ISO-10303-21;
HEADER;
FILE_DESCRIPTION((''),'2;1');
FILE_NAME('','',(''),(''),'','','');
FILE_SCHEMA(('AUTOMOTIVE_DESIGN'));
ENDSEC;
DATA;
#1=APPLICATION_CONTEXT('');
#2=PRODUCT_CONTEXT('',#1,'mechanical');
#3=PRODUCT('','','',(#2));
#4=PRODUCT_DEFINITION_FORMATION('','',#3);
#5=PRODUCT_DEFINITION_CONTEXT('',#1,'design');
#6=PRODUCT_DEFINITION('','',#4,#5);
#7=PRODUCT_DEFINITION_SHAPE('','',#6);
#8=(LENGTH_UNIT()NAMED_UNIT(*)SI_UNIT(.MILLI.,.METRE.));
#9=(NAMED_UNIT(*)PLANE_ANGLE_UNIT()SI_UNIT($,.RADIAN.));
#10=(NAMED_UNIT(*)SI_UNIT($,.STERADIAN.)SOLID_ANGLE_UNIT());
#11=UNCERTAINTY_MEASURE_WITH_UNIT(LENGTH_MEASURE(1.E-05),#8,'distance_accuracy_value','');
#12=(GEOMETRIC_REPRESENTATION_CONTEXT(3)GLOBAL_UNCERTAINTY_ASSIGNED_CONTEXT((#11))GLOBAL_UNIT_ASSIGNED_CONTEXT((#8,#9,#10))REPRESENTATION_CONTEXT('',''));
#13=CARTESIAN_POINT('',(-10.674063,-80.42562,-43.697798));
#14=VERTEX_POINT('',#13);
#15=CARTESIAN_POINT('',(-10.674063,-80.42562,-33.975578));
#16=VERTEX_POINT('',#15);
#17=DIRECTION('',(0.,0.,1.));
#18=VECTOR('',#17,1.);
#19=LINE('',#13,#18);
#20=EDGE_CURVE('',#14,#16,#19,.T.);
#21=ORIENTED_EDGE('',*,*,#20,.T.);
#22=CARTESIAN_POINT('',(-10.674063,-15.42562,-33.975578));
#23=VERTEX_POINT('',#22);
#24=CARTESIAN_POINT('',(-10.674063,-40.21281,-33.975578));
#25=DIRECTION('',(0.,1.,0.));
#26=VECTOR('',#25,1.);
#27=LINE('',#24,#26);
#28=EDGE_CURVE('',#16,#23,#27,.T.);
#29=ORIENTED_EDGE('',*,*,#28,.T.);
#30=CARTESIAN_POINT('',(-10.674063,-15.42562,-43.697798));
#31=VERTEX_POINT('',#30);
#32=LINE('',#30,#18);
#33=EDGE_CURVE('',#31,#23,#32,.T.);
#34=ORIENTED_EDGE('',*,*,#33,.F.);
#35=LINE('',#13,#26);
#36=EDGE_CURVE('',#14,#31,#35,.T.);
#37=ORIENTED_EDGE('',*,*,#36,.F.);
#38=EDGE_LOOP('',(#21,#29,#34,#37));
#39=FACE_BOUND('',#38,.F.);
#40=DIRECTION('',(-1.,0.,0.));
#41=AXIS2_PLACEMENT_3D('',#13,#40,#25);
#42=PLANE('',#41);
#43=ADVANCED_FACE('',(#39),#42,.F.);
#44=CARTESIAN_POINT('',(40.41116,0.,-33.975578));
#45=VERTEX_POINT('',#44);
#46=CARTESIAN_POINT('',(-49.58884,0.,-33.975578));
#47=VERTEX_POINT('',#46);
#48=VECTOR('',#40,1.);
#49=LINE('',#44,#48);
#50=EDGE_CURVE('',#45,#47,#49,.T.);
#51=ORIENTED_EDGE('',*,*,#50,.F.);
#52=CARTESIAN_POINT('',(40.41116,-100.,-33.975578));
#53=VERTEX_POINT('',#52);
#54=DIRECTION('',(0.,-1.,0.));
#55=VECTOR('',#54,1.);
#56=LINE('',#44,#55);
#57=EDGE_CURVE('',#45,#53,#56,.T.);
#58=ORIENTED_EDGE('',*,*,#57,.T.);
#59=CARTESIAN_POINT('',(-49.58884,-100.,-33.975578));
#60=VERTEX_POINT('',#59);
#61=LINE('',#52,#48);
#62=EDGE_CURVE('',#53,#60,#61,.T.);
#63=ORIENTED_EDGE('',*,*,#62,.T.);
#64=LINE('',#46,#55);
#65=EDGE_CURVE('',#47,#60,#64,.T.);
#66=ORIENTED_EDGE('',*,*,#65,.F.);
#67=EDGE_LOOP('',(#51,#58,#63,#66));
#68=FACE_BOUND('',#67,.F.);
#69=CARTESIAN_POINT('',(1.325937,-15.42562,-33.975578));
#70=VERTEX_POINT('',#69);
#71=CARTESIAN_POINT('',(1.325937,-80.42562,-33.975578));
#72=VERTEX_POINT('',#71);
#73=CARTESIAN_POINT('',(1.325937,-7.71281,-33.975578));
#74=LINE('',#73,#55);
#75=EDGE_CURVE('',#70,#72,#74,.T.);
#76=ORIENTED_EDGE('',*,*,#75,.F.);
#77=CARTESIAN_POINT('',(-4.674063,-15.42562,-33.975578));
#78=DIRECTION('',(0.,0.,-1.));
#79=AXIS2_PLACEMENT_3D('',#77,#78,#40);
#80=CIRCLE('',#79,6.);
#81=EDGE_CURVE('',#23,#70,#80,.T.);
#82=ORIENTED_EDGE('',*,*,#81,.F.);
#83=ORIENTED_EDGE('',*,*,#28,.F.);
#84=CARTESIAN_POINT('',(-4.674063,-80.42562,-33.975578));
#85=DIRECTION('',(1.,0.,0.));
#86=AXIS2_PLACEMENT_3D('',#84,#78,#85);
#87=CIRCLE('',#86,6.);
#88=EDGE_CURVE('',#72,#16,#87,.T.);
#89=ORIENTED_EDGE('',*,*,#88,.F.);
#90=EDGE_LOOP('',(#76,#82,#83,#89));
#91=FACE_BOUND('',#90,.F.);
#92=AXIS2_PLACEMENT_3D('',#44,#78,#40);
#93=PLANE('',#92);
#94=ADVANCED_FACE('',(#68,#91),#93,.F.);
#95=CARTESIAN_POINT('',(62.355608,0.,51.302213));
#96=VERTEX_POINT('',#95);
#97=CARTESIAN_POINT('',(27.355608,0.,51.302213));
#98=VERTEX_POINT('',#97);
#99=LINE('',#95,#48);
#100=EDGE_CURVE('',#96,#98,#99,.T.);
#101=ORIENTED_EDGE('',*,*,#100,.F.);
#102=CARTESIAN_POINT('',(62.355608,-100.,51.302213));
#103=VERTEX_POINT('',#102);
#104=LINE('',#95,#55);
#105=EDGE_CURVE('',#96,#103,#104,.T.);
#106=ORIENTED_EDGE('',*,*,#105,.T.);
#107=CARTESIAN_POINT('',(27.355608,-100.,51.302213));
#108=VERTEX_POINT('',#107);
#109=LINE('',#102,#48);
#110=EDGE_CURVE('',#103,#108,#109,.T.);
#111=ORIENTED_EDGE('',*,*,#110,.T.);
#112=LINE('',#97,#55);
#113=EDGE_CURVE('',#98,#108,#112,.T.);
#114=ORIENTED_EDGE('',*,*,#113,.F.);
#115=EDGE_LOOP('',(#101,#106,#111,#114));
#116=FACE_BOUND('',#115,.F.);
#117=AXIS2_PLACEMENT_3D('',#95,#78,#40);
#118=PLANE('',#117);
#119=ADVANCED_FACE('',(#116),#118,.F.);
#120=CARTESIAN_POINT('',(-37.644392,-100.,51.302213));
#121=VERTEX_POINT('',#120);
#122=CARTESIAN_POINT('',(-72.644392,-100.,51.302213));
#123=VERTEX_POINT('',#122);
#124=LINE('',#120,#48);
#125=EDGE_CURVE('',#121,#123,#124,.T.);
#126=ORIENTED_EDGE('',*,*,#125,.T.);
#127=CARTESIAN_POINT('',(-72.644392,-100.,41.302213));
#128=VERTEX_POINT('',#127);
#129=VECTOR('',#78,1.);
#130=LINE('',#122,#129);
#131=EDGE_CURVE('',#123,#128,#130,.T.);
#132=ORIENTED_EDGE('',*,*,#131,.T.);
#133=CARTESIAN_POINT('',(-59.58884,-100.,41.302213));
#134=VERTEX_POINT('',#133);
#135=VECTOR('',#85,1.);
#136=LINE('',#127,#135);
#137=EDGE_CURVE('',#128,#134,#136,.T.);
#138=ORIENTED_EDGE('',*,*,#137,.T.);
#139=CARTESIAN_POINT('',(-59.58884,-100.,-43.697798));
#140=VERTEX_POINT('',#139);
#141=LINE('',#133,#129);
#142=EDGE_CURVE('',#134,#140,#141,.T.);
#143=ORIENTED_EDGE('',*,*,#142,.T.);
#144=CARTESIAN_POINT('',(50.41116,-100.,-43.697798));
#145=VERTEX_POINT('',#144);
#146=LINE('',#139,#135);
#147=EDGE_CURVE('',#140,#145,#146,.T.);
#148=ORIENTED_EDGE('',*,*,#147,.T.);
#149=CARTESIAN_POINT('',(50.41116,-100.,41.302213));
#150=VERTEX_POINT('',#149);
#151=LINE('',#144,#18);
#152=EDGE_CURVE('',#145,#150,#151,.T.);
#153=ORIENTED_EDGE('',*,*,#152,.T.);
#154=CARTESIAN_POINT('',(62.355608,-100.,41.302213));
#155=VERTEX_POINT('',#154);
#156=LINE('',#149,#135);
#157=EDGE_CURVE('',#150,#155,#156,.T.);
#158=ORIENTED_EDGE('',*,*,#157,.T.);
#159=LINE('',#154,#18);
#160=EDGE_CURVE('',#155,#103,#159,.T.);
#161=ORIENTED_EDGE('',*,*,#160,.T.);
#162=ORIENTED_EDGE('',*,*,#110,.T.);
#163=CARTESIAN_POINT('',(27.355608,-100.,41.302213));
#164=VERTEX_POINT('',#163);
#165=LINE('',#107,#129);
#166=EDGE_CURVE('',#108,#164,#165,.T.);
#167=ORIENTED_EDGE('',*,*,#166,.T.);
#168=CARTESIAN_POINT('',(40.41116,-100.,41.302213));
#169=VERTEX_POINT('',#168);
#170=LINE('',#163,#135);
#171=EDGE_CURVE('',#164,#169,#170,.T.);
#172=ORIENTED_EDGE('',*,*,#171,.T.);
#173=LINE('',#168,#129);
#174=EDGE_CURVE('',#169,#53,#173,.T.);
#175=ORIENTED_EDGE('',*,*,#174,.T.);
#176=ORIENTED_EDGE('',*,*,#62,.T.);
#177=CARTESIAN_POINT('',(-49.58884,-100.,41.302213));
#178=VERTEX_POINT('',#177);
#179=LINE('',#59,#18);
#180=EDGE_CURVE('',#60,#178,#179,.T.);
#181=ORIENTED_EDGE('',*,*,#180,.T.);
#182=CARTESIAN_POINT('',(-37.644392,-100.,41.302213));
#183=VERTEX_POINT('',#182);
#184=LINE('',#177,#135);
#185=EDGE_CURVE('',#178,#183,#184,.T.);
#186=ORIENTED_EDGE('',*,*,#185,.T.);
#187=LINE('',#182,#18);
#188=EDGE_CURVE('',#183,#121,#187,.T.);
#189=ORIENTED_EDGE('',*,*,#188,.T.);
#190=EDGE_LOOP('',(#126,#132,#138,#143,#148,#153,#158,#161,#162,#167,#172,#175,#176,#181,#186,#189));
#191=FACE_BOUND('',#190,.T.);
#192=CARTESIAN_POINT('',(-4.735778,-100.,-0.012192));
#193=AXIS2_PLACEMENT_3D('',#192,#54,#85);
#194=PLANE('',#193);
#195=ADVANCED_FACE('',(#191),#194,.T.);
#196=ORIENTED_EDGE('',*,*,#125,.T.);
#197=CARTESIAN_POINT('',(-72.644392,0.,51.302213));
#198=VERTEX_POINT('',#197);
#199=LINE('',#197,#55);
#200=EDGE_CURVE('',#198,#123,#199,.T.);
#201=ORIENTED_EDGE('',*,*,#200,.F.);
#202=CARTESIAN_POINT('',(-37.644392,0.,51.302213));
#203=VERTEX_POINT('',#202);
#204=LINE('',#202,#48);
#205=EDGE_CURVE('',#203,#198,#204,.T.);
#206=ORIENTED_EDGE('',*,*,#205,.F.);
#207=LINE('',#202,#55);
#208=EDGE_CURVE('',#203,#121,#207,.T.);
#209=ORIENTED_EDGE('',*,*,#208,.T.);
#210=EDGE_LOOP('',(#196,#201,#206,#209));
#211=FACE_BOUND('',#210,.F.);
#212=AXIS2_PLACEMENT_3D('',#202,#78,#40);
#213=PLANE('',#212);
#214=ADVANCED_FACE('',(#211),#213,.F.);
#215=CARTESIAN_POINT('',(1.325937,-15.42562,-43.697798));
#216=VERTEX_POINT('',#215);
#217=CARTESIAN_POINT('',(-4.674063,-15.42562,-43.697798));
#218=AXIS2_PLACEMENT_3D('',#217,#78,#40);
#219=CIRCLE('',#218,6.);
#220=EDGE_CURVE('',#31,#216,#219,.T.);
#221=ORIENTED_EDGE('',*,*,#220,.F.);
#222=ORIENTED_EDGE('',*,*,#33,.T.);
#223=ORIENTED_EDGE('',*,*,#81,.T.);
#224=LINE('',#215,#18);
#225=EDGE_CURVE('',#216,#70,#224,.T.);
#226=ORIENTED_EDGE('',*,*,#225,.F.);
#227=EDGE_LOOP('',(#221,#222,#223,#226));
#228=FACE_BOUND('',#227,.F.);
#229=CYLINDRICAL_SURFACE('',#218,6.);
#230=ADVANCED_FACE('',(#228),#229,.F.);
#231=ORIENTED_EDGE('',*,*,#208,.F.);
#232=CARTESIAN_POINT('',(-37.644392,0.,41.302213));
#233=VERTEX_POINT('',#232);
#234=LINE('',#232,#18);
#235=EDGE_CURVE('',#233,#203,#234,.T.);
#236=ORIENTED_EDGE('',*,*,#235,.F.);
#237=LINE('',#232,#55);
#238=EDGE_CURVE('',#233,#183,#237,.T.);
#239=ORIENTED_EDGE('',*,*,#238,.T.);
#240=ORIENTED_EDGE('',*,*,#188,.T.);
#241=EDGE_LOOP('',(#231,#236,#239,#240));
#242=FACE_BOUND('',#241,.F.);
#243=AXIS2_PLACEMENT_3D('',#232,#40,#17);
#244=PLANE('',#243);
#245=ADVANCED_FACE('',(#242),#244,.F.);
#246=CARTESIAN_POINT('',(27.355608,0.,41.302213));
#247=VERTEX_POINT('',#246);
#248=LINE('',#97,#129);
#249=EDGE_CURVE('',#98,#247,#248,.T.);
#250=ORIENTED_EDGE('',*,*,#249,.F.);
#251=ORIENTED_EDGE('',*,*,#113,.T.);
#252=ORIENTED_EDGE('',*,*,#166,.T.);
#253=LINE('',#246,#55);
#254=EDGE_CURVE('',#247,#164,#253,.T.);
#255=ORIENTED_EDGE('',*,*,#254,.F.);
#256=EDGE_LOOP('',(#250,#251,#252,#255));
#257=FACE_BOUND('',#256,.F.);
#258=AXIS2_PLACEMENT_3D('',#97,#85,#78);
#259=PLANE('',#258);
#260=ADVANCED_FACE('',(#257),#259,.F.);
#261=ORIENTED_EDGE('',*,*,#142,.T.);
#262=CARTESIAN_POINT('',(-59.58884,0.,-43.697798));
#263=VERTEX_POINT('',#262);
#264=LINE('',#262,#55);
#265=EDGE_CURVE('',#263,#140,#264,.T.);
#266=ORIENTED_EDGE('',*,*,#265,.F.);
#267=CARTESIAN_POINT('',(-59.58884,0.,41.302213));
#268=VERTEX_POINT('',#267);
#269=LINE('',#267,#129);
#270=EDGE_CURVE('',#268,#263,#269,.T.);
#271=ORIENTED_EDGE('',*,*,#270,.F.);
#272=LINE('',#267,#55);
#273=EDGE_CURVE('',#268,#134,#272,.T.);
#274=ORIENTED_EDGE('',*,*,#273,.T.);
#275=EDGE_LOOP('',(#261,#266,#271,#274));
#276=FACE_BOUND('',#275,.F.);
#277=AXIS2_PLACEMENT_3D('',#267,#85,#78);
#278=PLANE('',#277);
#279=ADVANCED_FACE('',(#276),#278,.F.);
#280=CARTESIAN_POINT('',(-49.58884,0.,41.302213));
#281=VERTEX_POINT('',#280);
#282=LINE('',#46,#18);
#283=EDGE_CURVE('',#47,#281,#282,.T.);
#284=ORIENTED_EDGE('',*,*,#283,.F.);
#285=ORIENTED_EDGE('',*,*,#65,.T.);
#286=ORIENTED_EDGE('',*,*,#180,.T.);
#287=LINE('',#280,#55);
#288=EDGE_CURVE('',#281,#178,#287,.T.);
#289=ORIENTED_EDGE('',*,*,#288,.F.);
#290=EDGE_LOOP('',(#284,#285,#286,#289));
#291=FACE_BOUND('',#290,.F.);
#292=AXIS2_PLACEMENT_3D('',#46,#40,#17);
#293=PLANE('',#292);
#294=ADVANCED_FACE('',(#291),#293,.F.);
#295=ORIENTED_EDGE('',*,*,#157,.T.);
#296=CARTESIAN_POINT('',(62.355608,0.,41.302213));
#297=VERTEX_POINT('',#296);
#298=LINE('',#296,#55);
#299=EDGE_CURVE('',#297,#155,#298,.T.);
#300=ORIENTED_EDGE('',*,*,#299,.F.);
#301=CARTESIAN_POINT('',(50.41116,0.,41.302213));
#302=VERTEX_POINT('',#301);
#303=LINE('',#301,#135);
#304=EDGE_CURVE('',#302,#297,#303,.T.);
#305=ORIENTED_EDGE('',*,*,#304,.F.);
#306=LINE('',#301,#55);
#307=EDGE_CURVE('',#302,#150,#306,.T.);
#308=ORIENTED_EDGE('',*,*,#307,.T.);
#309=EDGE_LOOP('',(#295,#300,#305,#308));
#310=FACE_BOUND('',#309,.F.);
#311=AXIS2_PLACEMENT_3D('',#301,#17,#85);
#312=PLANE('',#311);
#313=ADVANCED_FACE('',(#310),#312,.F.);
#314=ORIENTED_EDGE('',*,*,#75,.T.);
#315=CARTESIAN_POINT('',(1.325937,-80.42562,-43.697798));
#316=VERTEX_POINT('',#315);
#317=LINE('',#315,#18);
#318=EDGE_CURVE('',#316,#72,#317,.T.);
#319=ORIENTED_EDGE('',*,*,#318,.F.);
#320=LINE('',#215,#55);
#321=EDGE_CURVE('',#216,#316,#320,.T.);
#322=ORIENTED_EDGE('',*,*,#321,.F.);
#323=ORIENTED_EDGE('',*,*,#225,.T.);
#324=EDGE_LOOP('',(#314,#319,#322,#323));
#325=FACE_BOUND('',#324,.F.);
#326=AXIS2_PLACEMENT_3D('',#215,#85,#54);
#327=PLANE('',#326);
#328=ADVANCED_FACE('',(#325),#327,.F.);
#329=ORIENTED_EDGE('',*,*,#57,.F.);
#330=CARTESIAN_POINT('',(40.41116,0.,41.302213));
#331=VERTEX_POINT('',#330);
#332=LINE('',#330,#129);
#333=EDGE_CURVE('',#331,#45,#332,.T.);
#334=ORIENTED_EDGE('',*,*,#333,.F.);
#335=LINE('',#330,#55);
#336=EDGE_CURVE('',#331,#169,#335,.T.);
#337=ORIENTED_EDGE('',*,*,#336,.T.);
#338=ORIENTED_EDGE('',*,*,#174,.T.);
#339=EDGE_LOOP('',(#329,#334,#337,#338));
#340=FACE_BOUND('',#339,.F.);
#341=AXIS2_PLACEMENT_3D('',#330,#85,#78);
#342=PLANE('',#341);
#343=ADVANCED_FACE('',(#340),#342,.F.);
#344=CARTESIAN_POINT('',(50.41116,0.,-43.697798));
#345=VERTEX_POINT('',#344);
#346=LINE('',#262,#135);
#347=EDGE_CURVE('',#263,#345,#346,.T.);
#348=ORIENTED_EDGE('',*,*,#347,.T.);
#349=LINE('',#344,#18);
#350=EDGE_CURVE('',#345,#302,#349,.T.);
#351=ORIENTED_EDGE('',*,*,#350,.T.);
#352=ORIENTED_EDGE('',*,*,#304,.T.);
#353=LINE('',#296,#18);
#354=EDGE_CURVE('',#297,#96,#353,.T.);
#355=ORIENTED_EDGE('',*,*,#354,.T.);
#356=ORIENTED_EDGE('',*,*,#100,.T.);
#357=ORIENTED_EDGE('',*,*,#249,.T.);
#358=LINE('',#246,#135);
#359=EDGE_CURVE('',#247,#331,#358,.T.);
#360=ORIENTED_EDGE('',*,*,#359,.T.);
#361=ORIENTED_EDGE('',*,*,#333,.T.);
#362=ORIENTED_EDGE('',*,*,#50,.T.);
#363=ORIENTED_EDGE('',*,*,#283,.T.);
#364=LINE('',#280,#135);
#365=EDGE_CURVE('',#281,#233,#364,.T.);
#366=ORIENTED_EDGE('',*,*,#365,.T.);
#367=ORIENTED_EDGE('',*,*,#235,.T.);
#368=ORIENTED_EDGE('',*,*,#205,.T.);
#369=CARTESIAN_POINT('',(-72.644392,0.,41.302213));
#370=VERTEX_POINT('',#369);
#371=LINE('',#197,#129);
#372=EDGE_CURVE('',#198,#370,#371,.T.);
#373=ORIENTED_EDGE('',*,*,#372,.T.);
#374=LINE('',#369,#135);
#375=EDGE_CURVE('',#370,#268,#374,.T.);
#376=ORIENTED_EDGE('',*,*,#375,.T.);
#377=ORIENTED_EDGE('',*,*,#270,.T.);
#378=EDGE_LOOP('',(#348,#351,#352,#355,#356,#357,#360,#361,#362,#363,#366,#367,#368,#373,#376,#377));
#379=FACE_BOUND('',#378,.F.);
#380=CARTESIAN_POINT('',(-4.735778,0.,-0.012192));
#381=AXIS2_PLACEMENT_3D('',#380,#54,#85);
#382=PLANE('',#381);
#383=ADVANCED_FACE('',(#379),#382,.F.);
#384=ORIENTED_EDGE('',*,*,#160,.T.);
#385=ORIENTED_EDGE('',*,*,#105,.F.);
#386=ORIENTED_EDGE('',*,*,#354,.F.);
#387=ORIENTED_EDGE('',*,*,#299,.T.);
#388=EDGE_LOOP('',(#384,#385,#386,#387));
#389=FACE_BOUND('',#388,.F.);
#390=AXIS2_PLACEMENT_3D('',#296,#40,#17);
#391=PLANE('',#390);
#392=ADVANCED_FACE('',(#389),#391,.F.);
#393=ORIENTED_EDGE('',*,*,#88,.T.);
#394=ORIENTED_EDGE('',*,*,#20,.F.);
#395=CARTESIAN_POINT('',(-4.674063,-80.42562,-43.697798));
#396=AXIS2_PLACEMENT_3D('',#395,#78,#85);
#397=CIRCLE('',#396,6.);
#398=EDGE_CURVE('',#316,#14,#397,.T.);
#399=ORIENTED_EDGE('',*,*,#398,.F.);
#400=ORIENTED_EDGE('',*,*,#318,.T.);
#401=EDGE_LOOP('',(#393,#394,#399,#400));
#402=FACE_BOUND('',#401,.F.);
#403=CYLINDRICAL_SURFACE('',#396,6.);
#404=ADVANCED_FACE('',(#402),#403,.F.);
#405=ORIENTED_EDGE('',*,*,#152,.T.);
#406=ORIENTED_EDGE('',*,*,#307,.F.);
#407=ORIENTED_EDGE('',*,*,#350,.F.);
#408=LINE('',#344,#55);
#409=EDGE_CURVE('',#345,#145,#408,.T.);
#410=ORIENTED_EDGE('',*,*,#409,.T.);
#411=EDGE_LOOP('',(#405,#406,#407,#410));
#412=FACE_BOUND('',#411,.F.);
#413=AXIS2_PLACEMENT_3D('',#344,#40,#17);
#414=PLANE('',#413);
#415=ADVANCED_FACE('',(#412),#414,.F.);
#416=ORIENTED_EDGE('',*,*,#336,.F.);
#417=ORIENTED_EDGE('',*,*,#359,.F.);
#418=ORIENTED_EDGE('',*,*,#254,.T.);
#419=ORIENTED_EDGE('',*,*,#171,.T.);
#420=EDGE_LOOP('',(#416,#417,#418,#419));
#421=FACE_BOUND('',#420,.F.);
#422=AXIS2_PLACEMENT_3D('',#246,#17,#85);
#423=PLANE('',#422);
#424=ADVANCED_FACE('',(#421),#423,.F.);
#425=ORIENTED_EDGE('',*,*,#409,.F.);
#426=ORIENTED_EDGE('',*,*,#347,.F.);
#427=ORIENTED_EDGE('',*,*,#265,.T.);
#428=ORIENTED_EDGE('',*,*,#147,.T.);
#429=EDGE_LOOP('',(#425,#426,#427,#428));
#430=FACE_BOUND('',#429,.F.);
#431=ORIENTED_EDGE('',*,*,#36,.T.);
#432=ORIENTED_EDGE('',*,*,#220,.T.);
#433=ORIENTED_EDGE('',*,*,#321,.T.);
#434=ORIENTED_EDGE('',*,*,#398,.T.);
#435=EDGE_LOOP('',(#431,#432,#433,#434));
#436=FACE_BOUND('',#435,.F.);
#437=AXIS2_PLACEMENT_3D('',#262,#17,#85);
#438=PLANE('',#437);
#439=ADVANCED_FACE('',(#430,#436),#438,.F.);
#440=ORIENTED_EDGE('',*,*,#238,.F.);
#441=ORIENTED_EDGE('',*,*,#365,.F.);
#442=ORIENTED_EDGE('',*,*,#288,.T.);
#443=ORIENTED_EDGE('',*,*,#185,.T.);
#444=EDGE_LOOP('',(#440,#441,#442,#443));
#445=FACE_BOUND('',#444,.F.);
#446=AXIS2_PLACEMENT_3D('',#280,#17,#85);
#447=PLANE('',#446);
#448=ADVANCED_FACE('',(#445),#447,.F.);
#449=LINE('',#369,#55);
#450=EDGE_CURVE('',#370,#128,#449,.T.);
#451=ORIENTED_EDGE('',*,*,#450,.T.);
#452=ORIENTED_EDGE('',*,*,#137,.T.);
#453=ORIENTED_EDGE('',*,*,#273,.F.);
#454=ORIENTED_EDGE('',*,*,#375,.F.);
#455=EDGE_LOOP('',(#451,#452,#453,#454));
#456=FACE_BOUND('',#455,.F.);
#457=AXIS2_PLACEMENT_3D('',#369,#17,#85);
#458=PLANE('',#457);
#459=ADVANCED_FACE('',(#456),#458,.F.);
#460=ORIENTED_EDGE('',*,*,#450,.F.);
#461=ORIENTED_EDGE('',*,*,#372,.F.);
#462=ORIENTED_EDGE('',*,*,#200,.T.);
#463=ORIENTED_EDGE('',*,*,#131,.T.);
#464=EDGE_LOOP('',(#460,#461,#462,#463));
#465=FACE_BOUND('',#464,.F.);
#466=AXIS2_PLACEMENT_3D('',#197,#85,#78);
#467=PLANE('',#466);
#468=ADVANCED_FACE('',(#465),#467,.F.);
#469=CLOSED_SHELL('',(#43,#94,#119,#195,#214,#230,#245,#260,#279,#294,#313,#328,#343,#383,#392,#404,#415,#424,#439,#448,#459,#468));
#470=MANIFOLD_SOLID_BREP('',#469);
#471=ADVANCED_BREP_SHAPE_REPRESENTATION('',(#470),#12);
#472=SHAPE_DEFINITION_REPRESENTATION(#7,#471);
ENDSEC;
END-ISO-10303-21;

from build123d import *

# Parameters (mm, degrees)
F1_DEPTH = 100
F3_DEPTH = 29


with BuildPart() as f1:
    # F0 (on Front) → F1 (new body)
    with BuildSketch(Plane.XZ):
        Polygon((-59.58884, 51.302213), (-72.644392, 51.302213), (-72.644392, 41.302213), (-59.58884, 41.302213), (-59.58884, -33.975578), (-59.58884, -43.697798), (-49.58884, -43.697798), (40.41116, -43.697798), (50.41116, -43.697798), (50.41116, -33.975578), (50.41116, 41.302213), (62.355608, 41.302213), (62.355608, 51.302213), (50.41116, 51.302213), (40.41116, 51.302213), (27.355608, 51.302213), (27.355608, 41.302213), (40.41116, 41.302213), (40.41116, -33.975578), (-49.58884, -33.975578), (-49.58884, 41.302213), (-37.644392, 41.302213), (-37.644392, 51.302213), (-49.58884, 51.302213), align=None)
    extrude(amount=F1_DEPTH)

    # F2 (on face) → F3 (cut)
    with BuildSketch(Plane(origin=(0, 0, -43.697798), x_dir=(1, 0, 0), z_dir=(0, 0, -1))):
        with BuildLine():
            ThreePointArc((1.325937, 80.42562), (-4.674063, 86.42562), (-10.674063, 80.42562))
            Line((-10.674063, 80.42562), (-10.674063, 15.42562))
            ThreePointArc((-10.674063, 15.42562), (-4.674063, 9.42562), (1.325937, 15.42562))
            Line((1.325937, 15.42562), (1.325937, 80.42562))
        make_face()
    extrude(amount=-F3_DEPTH, mode=Mode.SUBTRACT)


solid = f1.part
